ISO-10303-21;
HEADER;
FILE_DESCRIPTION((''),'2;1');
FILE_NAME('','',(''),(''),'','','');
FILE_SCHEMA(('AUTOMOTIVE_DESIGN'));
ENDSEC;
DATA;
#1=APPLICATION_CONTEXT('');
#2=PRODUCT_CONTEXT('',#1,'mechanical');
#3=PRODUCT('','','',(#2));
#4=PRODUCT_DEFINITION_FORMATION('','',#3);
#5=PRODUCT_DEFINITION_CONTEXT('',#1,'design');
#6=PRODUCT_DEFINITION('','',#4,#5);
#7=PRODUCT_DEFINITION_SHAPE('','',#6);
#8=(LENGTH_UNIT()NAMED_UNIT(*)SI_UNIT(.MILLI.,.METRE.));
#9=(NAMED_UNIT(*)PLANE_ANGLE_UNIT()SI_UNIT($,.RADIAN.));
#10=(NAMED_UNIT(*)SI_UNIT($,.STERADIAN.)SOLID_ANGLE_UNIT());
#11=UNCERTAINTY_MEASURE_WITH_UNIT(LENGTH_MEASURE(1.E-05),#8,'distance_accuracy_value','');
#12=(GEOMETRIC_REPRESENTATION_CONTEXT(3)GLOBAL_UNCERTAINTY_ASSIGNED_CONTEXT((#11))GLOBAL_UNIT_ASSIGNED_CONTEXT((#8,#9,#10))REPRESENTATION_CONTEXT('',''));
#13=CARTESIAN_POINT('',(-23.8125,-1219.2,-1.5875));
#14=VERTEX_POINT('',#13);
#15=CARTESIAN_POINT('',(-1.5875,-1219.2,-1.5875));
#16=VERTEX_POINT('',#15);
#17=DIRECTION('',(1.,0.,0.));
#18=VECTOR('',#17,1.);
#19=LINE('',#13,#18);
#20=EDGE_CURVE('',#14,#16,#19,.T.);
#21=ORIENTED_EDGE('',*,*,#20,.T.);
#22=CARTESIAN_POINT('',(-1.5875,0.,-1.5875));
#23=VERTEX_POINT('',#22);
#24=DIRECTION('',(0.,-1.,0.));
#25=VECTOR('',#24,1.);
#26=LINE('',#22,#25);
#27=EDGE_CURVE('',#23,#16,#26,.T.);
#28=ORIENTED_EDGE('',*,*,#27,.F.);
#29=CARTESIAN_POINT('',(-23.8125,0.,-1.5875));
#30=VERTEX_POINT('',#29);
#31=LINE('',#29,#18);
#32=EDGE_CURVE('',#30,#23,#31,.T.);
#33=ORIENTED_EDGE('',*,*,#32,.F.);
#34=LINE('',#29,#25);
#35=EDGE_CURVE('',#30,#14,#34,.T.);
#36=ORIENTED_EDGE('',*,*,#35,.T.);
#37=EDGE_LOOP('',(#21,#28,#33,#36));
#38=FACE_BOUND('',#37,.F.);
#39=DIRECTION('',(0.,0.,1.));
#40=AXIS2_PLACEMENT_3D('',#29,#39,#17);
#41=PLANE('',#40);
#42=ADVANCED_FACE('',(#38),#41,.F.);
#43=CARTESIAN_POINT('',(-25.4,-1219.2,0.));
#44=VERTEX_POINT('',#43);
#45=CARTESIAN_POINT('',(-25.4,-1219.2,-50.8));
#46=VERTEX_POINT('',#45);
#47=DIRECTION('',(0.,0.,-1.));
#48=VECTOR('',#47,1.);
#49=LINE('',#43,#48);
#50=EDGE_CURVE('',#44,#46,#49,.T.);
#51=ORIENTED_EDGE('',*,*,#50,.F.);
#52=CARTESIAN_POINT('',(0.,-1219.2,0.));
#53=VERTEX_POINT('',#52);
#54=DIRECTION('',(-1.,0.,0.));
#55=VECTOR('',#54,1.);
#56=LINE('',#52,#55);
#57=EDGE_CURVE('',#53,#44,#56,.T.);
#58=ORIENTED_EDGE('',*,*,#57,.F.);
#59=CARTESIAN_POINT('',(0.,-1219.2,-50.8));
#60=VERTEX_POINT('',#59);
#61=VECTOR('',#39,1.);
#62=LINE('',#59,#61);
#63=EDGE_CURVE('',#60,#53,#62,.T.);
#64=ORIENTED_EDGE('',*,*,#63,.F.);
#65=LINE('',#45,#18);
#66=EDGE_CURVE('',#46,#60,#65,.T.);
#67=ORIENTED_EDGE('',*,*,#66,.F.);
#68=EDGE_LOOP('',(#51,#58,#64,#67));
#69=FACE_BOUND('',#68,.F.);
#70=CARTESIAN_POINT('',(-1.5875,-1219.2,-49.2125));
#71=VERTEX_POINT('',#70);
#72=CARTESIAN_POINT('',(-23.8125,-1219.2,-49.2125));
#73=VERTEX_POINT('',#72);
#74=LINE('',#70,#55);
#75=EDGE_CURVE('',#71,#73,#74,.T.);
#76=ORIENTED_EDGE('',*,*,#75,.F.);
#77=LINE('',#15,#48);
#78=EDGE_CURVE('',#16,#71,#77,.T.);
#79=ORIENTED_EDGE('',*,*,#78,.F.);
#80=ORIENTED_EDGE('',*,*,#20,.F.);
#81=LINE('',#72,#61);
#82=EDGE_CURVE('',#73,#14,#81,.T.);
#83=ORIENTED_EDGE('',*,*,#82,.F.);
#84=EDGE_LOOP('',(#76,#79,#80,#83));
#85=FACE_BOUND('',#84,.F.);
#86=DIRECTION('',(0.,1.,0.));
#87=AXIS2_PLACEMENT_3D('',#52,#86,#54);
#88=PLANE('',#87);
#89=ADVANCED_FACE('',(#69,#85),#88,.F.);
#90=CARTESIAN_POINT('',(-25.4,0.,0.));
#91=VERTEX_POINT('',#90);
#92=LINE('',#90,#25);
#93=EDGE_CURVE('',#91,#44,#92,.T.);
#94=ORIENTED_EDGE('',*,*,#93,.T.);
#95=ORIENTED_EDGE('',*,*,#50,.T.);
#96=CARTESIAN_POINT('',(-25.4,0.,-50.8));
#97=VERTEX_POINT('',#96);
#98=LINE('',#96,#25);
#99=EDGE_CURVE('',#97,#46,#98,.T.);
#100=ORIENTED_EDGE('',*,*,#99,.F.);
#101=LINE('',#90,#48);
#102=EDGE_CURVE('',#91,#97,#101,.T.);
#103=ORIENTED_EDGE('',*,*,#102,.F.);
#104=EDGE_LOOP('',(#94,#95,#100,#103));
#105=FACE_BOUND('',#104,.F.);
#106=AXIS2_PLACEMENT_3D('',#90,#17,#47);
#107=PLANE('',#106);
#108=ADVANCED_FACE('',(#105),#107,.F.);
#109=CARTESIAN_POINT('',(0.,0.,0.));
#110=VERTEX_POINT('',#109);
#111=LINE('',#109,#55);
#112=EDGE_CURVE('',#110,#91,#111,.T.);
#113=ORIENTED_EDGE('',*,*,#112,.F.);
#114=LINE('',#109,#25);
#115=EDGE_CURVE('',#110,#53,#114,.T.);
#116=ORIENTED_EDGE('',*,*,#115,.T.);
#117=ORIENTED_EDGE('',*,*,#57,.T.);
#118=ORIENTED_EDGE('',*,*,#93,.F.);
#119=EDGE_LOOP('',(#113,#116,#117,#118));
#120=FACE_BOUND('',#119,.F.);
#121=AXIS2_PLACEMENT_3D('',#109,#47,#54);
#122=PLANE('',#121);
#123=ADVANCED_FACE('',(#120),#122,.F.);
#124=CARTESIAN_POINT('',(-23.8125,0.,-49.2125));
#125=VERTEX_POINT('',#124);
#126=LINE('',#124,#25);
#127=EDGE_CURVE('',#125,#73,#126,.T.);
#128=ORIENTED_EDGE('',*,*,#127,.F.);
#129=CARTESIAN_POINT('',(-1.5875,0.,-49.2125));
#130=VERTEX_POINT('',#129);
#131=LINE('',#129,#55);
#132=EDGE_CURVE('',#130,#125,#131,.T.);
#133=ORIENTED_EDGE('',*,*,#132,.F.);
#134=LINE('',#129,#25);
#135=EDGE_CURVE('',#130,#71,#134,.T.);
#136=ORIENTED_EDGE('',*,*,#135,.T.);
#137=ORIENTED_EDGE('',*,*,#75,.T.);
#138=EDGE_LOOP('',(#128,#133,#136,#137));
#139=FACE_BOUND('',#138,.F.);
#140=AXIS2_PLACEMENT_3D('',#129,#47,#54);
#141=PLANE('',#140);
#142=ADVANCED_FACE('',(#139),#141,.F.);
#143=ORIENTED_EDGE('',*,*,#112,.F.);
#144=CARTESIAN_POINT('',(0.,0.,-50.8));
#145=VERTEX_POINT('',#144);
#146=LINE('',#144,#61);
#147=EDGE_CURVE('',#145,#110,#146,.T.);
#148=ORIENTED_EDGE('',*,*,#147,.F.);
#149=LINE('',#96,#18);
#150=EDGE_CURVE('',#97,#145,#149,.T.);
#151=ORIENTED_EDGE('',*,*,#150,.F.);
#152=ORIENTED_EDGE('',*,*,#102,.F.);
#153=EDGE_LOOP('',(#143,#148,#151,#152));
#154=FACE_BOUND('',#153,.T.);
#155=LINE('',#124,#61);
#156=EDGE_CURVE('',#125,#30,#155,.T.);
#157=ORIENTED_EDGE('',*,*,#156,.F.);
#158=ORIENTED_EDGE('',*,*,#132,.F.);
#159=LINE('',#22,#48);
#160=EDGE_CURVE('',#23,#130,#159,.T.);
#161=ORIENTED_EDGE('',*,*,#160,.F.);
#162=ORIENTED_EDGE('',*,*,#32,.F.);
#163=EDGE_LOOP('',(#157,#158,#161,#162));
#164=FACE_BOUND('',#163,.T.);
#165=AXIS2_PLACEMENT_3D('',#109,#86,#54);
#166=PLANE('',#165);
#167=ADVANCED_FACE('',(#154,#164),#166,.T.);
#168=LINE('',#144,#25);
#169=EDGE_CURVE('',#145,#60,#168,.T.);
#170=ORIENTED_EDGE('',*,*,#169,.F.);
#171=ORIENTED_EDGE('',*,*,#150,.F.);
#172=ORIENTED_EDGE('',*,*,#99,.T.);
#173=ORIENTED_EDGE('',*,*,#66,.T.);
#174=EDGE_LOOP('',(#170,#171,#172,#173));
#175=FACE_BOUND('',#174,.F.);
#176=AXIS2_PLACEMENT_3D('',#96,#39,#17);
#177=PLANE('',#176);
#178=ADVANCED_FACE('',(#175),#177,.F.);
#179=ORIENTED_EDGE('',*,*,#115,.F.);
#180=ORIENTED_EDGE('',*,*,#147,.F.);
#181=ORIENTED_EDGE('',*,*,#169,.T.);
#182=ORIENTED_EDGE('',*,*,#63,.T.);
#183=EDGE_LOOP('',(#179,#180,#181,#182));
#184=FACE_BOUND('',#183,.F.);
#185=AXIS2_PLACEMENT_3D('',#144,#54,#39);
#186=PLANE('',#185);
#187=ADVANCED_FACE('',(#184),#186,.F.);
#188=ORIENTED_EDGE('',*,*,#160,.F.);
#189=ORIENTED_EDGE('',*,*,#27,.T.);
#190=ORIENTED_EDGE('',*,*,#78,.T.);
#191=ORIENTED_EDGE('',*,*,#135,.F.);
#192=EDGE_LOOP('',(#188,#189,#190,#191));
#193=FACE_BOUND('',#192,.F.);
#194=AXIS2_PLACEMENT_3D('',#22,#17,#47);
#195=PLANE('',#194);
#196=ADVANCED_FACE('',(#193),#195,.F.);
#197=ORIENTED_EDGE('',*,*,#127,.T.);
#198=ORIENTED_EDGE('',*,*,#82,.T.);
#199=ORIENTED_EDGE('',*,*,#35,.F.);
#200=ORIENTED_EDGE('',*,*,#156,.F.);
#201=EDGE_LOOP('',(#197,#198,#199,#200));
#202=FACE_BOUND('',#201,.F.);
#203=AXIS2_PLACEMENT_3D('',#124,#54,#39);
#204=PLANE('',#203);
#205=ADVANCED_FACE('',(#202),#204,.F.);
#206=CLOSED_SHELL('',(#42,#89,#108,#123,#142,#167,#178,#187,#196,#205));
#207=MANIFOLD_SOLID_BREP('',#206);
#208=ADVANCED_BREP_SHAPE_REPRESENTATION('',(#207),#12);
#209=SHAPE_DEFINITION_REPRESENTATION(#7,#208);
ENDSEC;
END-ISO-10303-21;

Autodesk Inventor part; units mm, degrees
ref_plane "YZ Plane" through (0, 0, 0) normal (1, 0, 0) x (0, 1, 0)
ref_plane "XZ Plane" through (0, 0, 0) normal (0, 1, 0) x (-1, 0, 0)
ref_plane "XY Plane" through (0, 0, 0) normal (0, 0, 1) x (1, 0, 0)
sketch "Sketch1" plane through (0, 0, 0) normal (0, 1, 0) x (-1, 0, 0)
  line L0 (0, 0) -> (25.4, 0)
  line L1 (25.4, 0) -> (25.4, -50.8)
  line L2 (25.4, -50.8) -> (0, -50.8)
  line L3 (0, -50.8) -> (0, 0)
  line L4 (23.8125, -49.2125) -> (23.8125, -1.5875)
  line L5 (23.8125, -1.5875) -> (1.5875, -1.5875)
  line L6 (1.5875, -1.5875) -> (1.5875, -49.2125)
  line L7 (1.5875, -49.2125) -> (23.8125, -49.2125)
  dimension "d0" = 25.4
  dimension "d1" = 50.8
  dimension "d2" = 1.5875
extrude "Extrusion1" add sketch "Sketch1" against normal blind 1219.2
properties part number "ALUMINUM" material "Aluminum 6061"
